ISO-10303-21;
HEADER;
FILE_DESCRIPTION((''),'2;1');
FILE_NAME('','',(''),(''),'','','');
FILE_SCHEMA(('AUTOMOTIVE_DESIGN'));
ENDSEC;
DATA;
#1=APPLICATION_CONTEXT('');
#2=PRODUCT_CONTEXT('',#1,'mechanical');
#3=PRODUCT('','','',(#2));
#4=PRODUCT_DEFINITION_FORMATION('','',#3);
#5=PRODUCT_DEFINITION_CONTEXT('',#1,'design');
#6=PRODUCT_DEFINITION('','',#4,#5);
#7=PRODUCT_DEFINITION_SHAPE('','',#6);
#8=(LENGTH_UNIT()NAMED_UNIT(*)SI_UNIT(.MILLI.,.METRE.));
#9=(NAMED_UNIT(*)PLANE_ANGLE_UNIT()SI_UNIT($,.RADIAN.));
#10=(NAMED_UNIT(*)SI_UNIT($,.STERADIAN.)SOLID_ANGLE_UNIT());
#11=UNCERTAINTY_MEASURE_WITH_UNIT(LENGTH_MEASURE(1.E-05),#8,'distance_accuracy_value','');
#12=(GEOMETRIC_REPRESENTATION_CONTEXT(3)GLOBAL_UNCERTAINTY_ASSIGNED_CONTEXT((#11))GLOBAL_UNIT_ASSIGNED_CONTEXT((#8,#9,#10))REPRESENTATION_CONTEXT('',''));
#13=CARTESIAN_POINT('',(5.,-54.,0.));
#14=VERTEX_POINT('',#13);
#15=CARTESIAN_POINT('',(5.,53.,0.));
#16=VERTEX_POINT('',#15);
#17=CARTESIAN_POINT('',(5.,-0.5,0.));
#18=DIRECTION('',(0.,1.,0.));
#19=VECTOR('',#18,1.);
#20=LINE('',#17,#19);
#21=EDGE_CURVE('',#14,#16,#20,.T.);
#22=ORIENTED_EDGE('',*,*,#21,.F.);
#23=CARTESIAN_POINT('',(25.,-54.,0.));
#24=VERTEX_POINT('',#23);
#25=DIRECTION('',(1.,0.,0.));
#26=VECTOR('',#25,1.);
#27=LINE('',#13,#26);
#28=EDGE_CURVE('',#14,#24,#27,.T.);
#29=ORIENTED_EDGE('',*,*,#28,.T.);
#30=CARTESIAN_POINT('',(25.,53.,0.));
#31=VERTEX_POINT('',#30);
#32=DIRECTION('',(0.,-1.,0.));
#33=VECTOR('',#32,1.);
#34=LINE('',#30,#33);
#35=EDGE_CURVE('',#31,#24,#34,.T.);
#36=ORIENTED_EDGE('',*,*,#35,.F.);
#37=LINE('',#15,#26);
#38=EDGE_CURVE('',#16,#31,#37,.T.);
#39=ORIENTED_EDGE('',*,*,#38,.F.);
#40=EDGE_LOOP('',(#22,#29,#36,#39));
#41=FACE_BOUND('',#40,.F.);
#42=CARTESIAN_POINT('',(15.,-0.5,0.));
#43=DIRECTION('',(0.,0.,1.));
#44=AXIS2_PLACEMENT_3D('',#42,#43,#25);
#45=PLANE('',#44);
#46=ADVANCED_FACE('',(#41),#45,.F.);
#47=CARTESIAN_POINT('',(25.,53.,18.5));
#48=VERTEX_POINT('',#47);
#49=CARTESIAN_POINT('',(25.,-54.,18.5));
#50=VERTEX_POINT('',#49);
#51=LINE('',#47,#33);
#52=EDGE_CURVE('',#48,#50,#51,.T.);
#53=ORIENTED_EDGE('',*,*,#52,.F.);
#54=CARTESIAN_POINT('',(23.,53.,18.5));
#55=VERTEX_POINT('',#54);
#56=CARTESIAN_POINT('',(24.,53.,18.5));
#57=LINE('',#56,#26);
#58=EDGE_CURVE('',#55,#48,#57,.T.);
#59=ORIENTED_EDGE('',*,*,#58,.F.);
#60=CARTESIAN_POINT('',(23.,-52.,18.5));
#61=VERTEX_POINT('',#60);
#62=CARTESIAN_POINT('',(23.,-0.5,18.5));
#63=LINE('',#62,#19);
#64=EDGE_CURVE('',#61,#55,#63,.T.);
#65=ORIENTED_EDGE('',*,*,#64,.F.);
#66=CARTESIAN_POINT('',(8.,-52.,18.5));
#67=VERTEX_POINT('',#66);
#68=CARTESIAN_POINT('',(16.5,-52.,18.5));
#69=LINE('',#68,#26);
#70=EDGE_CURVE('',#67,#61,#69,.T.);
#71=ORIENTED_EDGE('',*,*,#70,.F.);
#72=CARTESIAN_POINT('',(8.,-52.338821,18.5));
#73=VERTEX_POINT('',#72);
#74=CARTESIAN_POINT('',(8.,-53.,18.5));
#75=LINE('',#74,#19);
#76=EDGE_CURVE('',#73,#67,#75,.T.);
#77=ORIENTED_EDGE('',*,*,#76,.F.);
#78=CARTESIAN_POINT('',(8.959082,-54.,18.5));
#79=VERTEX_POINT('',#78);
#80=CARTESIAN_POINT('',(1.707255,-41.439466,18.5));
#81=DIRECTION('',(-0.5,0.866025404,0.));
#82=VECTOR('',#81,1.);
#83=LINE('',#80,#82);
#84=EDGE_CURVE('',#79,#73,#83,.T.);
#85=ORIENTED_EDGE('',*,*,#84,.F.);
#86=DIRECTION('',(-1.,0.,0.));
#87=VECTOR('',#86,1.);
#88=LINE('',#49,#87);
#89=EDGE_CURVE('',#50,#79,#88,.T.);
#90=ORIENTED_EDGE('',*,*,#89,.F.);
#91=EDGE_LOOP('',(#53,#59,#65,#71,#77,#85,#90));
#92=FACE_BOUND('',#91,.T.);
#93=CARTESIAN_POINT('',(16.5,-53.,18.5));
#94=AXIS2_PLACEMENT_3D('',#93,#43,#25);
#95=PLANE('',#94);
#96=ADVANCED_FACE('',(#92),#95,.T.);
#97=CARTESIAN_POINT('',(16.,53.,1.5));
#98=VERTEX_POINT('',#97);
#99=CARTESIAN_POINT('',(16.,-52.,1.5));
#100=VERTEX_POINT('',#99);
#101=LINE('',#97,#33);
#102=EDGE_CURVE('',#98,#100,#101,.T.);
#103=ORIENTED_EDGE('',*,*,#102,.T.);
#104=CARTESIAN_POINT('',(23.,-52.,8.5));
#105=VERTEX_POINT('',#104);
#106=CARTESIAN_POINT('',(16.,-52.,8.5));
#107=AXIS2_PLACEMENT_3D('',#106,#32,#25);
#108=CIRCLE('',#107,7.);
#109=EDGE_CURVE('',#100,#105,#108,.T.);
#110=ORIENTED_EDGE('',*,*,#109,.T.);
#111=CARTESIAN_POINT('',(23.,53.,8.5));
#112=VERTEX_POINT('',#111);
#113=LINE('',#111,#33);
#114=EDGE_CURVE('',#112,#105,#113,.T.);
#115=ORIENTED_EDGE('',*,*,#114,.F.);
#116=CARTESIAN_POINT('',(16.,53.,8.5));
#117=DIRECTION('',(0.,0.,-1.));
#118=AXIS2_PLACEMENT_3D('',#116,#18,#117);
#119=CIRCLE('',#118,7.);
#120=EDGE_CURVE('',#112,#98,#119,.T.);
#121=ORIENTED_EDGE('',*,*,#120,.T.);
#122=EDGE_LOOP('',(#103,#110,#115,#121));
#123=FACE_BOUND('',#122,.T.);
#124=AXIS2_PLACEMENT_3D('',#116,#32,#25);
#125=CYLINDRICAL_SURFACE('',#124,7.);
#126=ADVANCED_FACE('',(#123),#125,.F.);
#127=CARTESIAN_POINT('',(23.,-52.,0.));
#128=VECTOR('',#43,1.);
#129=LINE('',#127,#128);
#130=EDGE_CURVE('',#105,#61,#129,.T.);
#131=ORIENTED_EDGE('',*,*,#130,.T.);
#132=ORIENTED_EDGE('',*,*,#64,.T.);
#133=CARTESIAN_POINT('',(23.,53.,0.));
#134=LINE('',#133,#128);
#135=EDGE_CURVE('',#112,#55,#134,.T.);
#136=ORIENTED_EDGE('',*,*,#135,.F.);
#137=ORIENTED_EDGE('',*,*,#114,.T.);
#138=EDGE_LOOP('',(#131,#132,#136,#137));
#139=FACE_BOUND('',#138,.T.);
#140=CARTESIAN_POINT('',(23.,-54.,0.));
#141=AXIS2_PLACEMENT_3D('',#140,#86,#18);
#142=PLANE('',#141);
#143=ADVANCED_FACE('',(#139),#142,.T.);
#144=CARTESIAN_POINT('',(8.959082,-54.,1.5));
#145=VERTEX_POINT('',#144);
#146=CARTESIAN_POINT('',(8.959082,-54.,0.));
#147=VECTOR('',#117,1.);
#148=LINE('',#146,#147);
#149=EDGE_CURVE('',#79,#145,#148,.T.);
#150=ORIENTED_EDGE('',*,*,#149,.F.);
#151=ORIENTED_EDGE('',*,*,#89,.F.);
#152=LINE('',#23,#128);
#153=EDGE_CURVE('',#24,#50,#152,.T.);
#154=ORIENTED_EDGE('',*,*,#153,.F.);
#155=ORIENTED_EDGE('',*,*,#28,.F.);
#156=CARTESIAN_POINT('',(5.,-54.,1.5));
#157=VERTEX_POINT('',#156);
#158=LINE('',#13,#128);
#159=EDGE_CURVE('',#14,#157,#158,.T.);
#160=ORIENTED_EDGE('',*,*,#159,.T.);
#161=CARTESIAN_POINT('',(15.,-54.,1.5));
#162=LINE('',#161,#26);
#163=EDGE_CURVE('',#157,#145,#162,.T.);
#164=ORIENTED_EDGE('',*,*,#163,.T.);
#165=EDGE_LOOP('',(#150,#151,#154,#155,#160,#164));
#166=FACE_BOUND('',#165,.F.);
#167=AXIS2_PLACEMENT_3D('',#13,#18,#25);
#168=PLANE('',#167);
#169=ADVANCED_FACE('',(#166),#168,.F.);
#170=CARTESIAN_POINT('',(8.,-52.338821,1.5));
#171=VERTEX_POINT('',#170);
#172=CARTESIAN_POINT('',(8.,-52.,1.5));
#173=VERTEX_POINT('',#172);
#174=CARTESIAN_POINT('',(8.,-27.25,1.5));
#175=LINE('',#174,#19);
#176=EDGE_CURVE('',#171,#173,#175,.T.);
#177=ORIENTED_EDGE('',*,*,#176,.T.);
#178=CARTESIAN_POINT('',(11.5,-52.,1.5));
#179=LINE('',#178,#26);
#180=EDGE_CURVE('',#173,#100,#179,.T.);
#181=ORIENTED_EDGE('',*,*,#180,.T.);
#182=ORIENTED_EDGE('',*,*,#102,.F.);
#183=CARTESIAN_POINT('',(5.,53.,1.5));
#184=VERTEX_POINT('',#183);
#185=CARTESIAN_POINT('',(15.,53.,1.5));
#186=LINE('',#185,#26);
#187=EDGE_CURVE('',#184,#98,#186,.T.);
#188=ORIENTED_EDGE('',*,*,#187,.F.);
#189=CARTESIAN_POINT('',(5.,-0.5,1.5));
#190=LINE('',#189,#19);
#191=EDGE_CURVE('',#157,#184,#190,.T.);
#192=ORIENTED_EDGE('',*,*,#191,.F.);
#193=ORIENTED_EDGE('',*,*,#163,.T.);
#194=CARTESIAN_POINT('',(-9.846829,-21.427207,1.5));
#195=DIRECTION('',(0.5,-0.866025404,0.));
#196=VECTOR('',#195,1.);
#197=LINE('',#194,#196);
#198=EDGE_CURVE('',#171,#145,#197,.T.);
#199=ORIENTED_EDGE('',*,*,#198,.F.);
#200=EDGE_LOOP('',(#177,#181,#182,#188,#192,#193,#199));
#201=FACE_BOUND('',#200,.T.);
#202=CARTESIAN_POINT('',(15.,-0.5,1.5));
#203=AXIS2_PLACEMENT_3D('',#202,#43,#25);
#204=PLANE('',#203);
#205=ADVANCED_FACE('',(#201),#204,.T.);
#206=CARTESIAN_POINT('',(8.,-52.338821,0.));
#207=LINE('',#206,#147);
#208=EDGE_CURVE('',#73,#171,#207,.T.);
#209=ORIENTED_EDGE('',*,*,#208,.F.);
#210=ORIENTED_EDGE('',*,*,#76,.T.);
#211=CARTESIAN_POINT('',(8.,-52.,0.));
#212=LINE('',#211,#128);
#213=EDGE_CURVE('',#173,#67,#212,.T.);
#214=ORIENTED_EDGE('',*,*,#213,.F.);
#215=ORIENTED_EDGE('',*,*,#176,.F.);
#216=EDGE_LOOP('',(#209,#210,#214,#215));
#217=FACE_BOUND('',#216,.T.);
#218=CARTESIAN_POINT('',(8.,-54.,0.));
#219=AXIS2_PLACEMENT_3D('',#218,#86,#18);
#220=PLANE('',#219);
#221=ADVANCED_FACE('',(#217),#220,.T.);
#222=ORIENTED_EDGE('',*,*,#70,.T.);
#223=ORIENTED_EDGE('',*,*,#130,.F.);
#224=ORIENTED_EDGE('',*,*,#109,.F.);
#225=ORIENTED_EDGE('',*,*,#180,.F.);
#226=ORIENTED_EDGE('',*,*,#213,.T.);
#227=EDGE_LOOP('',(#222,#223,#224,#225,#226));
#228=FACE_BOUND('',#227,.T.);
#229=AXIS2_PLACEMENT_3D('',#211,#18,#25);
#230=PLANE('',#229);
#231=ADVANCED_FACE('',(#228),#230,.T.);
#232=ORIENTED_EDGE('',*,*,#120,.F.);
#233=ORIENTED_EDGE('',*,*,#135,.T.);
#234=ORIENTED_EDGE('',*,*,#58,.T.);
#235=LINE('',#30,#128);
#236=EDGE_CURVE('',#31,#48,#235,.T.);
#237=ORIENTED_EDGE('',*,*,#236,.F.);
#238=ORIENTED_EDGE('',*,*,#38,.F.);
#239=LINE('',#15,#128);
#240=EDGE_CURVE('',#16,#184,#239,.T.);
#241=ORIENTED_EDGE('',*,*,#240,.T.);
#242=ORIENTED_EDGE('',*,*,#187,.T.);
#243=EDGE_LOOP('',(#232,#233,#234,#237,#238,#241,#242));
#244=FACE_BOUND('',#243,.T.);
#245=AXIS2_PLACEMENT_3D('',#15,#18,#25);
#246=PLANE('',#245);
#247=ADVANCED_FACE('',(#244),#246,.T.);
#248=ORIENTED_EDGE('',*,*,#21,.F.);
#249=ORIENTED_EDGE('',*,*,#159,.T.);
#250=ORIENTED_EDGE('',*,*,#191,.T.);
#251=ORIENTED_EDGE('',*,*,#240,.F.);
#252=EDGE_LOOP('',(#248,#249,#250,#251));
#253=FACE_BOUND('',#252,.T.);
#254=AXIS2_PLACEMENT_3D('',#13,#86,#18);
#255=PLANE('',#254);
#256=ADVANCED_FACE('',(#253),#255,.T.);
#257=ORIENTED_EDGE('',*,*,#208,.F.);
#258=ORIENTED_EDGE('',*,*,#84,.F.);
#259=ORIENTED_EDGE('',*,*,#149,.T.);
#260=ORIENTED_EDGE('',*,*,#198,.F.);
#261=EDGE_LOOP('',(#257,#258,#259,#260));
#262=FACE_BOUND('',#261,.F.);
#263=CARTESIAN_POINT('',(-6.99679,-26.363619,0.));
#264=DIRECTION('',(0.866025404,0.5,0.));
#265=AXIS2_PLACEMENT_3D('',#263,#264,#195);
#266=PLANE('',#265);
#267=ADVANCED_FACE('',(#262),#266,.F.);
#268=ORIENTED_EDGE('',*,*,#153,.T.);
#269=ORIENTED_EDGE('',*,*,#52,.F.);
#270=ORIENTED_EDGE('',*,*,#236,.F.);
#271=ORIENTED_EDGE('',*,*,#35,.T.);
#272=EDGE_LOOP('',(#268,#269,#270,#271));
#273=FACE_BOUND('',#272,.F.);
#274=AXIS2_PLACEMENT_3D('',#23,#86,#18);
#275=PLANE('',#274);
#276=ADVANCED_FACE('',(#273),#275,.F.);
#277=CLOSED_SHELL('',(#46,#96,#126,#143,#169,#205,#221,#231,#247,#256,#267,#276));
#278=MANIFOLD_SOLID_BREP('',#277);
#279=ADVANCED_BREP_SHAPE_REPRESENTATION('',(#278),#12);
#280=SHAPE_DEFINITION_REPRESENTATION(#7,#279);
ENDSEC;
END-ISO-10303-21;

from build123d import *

# Parameters (mm, degrees)
BOX117_W               = 2
BOX117_H               = 107
BOX117_DEPTH           = 18.5
BOX116_W               = 20
BOX116_H               = 107
BOX116_DEPTH           = 1.5
FILLET002002003_R      = 7
BOX108_W               = 47
BOX108_H               = 18
BOX108_DEPTH           = 20
BOX108_PLACEMENT_ANGLE = 60
BOX119_W               = 17
BOX119_H               = 2
BOX119_DEPTH           = 18.5


with BuildPart() as cube112:
    # Box117 → Box117 (new body)
    with BuildSketch(Plane(origin=(23, -54, 0), x_dir=(1, 0, 0), z_dir=(0, 0, 1))):
        with Locations((1, 53.5)):
            Rectangle(BOX117_W, BOX117_H)
    extrude(amount=BOX117_DEPTH)


with BuildPart() as fillet002002003:
    # Box116 → Box116 (new body)
    with BuildSketch(Plane(origin=(5, -54, 0), x_dir=(1, 0, 0), z_dir=(0, 0, 1))):
        with Locations((10, 53.5)):
            Rectangle(BOX116_W, BOX116_H)
    extrude(amount=BOX116_DEPTH)

    # Fusion018011: union Cube112
    add(cube112.part)

    # Fillet002002003
    fillet002002003_edges = [fillet002002003.edges().sort_by_distance(p)[0] for p in [
        (23, -0.5, 1.5),
    ]]
    fillet(fillet002002003_edges, radius=FILLET002002003_R)


with BuildPart() as trim_a002:
    # Box108 → Box108 (new body)
    with BuildSketch(Plane.XY):
        with Locations((23.5, 9)):
            Rectangle(BOX108_W, BOX108_H)
    extrude(amount=BOX108_DEPTH)


with BuildPart() as trim_a002_1:
    # Box108 placement: moved
    add(trim_a002.part.moved(Location((-22.585247, -35.363619, 0))).rotate(Axis((-22.585247, -35.363619, 0), (0, 0, -1)), BOX108_PLACEMENT_ANGLE))


with BuildPart() as fusion018012:
    # Box119 → Box119 (new body)
    with BuildSketch(Plane(origin=(8, -54, 0), x_dir=(1, 0, 0), z_dir=(0, 0, 1))):
        with Locations((8.5, 1)):
            Rectangle(BOX119_W, BOX119_H)
    extrude(amount=BOX119_DEPTH)

    # Cut025: cut trim-a002
    add(trim_a002_1.part, mode=Mode.SUBTRACT)

    # Fusion018012: union Fillet002002003
    add(fillet002002003.part)


solid = fusion018012.part
